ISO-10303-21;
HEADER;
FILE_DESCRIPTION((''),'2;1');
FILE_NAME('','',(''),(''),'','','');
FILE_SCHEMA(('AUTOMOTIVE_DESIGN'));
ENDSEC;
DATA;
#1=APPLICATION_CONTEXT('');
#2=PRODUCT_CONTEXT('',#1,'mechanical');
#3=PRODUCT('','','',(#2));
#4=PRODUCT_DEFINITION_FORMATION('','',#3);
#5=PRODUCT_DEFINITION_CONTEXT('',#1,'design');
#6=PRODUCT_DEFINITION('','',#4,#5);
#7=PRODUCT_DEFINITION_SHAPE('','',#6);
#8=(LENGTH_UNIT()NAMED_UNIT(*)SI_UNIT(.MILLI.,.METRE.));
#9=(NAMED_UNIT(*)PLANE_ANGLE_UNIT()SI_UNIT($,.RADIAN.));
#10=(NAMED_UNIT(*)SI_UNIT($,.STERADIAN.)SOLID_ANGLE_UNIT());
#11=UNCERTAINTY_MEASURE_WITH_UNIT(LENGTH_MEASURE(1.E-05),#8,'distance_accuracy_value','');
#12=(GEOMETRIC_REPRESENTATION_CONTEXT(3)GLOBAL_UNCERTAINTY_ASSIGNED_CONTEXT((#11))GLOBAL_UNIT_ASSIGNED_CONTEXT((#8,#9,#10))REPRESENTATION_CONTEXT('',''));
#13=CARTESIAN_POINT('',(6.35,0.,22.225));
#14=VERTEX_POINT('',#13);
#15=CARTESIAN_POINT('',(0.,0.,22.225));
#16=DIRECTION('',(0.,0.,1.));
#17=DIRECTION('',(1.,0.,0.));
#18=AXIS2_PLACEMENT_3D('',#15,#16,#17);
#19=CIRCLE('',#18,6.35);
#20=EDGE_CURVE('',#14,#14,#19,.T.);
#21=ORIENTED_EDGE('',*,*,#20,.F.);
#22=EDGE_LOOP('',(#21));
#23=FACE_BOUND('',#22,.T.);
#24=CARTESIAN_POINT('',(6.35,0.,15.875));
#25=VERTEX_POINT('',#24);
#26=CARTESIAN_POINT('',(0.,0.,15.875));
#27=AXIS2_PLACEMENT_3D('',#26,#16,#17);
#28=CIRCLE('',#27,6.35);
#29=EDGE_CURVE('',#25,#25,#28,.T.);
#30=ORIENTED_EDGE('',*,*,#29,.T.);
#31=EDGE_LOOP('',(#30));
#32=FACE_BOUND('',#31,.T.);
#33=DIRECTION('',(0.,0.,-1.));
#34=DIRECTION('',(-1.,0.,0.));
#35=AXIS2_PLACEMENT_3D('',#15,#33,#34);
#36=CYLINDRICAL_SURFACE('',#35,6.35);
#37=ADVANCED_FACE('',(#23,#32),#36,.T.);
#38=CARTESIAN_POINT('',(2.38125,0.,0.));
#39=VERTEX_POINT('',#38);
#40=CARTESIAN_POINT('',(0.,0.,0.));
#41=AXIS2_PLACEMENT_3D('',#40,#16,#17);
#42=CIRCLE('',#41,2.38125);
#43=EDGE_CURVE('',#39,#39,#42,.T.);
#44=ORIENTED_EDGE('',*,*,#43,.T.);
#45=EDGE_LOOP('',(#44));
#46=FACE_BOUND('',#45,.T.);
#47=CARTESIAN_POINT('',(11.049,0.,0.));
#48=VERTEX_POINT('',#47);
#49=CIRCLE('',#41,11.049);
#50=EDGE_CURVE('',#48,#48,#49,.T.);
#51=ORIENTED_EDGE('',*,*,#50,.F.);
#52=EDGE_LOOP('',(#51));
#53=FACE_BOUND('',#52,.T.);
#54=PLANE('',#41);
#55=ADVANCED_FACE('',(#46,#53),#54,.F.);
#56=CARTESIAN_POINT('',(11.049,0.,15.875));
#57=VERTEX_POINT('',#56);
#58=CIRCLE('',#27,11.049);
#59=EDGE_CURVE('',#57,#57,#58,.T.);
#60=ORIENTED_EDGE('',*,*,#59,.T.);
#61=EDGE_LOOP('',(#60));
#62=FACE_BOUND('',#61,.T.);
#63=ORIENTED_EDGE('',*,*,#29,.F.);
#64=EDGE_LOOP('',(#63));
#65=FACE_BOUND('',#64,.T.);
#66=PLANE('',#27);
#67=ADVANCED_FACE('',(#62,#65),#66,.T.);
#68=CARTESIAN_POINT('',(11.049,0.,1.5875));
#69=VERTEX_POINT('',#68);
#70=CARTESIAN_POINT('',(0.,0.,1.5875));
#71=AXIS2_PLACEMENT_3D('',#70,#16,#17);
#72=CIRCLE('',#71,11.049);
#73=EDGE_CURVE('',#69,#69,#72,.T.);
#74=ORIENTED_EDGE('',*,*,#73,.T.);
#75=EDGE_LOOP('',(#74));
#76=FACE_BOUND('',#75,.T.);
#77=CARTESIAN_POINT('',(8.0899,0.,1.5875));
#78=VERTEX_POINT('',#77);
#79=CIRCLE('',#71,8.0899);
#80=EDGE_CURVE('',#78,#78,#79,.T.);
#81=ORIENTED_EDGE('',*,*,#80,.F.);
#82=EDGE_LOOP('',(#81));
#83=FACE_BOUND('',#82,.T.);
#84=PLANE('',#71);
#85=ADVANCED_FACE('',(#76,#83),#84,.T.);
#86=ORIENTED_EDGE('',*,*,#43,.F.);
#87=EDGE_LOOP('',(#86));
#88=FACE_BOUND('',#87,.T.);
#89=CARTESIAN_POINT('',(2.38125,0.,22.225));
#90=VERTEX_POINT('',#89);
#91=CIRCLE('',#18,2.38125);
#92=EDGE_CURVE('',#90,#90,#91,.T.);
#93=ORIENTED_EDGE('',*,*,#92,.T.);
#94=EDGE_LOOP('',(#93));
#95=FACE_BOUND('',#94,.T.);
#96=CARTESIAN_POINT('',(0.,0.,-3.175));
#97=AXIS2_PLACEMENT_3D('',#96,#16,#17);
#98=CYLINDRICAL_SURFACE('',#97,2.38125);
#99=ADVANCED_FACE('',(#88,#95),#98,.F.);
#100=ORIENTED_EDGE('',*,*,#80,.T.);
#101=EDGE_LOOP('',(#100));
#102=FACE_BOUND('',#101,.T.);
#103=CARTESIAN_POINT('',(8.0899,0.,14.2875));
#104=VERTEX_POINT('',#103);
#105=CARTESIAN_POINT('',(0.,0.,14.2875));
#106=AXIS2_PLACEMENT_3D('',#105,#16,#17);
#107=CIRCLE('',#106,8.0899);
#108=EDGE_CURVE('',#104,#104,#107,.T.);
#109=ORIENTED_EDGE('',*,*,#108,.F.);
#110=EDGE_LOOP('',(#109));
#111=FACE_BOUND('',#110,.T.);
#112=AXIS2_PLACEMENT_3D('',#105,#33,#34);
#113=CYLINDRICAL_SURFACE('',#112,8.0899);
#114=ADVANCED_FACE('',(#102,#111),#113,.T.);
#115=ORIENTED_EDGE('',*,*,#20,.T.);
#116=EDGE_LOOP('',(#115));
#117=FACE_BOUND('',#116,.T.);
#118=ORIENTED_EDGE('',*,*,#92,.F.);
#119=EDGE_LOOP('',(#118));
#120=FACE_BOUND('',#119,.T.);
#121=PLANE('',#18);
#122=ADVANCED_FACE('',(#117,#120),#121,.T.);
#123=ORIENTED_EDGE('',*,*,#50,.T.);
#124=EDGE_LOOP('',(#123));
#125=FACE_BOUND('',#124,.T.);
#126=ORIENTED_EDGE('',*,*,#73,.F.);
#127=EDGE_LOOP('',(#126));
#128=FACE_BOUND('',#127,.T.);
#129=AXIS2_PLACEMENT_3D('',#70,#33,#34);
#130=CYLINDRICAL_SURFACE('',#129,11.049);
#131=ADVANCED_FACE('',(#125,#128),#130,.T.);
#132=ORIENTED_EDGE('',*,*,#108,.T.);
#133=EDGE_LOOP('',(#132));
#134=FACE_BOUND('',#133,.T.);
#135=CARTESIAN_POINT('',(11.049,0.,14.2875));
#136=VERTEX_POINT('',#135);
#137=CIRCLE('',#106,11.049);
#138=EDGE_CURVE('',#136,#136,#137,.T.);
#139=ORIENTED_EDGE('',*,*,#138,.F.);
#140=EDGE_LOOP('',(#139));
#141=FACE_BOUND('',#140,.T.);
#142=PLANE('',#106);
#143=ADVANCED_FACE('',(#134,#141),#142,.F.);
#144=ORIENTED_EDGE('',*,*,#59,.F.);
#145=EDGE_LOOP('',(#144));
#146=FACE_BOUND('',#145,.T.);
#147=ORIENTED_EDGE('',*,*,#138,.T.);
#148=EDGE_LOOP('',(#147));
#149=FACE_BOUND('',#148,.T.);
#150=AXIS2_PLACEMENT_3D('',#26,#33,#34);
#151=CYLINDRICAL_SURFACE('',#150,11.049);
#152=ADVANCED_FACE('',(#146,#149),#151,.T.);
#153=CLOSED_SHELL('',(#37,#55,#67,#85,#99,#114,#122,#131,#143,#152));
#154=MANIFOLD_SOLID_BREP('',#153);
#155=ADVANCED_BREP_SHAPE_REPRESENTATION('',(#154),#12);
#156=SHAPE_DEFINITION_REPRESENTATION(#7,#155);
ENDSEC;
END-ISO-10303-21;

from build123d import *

# Parameters (mm, degrees)
SKETCH1_R           = 11.049
BOSS_EXTRUDE1_DEPTH = 1.5875
SKETCH2_R           = 8.0899
BOSS_EXTRUDE2_DEPTH = 12.7
SKETCH3_R           = 11.049
BOSS_EXTRUDE3_DEPTH = 1.5875
SKETCH4_R           = 6.35
BOSS_EXTRUDE4_DEPTH = 6.35
SKETCH5_R           = 2.38125
CUT_EXTRUDE1_DEPTH  = 25.4


with BuildPart() as part:
    # Sketch1 → Boss-Extrude1 (new body)
    with BuildSketch(Plane.XY):
        Circle(SKETCH1_R)
    extrude(amount=BOSS_EXTRUDE1_DEPTH)

    # Sketch2 → Boss-Extrude2 (add)
    with BuildSketch(Plane.XY.offset(1.5875)):
        Circle(SKETCH2_R)
    extrude(amount=BOSS_EXTRUDE2_DEPTH)

    # Sketch3 → Boss-Extrude3 (add)
    with BuildSketch(Plane.XY.offset(14.2875)):
        Circle(SKETCH3_R)
    extrude(amount=BOSS_EXTRUDE3_DEPTH)

    # Sketch4 → Boss-Extrude4 (add)
    with BuildSketch(Plane.XY.offset(15.875)):
        Circle(SKETCH4_R)
    extrude(amount=BOSS_EXTRUDE4_DEPTH)

    # Sketch5 → Cut-Extrude1 (cut)
    with BuildSketch(Plane.XY.offset(22.225)):
        Circle(SKETCH5_R)
    extrude(amount=-CUT_EXTRUDE1_DEPTH, mode=Mode.SUBTRACT)


solid = part.part
